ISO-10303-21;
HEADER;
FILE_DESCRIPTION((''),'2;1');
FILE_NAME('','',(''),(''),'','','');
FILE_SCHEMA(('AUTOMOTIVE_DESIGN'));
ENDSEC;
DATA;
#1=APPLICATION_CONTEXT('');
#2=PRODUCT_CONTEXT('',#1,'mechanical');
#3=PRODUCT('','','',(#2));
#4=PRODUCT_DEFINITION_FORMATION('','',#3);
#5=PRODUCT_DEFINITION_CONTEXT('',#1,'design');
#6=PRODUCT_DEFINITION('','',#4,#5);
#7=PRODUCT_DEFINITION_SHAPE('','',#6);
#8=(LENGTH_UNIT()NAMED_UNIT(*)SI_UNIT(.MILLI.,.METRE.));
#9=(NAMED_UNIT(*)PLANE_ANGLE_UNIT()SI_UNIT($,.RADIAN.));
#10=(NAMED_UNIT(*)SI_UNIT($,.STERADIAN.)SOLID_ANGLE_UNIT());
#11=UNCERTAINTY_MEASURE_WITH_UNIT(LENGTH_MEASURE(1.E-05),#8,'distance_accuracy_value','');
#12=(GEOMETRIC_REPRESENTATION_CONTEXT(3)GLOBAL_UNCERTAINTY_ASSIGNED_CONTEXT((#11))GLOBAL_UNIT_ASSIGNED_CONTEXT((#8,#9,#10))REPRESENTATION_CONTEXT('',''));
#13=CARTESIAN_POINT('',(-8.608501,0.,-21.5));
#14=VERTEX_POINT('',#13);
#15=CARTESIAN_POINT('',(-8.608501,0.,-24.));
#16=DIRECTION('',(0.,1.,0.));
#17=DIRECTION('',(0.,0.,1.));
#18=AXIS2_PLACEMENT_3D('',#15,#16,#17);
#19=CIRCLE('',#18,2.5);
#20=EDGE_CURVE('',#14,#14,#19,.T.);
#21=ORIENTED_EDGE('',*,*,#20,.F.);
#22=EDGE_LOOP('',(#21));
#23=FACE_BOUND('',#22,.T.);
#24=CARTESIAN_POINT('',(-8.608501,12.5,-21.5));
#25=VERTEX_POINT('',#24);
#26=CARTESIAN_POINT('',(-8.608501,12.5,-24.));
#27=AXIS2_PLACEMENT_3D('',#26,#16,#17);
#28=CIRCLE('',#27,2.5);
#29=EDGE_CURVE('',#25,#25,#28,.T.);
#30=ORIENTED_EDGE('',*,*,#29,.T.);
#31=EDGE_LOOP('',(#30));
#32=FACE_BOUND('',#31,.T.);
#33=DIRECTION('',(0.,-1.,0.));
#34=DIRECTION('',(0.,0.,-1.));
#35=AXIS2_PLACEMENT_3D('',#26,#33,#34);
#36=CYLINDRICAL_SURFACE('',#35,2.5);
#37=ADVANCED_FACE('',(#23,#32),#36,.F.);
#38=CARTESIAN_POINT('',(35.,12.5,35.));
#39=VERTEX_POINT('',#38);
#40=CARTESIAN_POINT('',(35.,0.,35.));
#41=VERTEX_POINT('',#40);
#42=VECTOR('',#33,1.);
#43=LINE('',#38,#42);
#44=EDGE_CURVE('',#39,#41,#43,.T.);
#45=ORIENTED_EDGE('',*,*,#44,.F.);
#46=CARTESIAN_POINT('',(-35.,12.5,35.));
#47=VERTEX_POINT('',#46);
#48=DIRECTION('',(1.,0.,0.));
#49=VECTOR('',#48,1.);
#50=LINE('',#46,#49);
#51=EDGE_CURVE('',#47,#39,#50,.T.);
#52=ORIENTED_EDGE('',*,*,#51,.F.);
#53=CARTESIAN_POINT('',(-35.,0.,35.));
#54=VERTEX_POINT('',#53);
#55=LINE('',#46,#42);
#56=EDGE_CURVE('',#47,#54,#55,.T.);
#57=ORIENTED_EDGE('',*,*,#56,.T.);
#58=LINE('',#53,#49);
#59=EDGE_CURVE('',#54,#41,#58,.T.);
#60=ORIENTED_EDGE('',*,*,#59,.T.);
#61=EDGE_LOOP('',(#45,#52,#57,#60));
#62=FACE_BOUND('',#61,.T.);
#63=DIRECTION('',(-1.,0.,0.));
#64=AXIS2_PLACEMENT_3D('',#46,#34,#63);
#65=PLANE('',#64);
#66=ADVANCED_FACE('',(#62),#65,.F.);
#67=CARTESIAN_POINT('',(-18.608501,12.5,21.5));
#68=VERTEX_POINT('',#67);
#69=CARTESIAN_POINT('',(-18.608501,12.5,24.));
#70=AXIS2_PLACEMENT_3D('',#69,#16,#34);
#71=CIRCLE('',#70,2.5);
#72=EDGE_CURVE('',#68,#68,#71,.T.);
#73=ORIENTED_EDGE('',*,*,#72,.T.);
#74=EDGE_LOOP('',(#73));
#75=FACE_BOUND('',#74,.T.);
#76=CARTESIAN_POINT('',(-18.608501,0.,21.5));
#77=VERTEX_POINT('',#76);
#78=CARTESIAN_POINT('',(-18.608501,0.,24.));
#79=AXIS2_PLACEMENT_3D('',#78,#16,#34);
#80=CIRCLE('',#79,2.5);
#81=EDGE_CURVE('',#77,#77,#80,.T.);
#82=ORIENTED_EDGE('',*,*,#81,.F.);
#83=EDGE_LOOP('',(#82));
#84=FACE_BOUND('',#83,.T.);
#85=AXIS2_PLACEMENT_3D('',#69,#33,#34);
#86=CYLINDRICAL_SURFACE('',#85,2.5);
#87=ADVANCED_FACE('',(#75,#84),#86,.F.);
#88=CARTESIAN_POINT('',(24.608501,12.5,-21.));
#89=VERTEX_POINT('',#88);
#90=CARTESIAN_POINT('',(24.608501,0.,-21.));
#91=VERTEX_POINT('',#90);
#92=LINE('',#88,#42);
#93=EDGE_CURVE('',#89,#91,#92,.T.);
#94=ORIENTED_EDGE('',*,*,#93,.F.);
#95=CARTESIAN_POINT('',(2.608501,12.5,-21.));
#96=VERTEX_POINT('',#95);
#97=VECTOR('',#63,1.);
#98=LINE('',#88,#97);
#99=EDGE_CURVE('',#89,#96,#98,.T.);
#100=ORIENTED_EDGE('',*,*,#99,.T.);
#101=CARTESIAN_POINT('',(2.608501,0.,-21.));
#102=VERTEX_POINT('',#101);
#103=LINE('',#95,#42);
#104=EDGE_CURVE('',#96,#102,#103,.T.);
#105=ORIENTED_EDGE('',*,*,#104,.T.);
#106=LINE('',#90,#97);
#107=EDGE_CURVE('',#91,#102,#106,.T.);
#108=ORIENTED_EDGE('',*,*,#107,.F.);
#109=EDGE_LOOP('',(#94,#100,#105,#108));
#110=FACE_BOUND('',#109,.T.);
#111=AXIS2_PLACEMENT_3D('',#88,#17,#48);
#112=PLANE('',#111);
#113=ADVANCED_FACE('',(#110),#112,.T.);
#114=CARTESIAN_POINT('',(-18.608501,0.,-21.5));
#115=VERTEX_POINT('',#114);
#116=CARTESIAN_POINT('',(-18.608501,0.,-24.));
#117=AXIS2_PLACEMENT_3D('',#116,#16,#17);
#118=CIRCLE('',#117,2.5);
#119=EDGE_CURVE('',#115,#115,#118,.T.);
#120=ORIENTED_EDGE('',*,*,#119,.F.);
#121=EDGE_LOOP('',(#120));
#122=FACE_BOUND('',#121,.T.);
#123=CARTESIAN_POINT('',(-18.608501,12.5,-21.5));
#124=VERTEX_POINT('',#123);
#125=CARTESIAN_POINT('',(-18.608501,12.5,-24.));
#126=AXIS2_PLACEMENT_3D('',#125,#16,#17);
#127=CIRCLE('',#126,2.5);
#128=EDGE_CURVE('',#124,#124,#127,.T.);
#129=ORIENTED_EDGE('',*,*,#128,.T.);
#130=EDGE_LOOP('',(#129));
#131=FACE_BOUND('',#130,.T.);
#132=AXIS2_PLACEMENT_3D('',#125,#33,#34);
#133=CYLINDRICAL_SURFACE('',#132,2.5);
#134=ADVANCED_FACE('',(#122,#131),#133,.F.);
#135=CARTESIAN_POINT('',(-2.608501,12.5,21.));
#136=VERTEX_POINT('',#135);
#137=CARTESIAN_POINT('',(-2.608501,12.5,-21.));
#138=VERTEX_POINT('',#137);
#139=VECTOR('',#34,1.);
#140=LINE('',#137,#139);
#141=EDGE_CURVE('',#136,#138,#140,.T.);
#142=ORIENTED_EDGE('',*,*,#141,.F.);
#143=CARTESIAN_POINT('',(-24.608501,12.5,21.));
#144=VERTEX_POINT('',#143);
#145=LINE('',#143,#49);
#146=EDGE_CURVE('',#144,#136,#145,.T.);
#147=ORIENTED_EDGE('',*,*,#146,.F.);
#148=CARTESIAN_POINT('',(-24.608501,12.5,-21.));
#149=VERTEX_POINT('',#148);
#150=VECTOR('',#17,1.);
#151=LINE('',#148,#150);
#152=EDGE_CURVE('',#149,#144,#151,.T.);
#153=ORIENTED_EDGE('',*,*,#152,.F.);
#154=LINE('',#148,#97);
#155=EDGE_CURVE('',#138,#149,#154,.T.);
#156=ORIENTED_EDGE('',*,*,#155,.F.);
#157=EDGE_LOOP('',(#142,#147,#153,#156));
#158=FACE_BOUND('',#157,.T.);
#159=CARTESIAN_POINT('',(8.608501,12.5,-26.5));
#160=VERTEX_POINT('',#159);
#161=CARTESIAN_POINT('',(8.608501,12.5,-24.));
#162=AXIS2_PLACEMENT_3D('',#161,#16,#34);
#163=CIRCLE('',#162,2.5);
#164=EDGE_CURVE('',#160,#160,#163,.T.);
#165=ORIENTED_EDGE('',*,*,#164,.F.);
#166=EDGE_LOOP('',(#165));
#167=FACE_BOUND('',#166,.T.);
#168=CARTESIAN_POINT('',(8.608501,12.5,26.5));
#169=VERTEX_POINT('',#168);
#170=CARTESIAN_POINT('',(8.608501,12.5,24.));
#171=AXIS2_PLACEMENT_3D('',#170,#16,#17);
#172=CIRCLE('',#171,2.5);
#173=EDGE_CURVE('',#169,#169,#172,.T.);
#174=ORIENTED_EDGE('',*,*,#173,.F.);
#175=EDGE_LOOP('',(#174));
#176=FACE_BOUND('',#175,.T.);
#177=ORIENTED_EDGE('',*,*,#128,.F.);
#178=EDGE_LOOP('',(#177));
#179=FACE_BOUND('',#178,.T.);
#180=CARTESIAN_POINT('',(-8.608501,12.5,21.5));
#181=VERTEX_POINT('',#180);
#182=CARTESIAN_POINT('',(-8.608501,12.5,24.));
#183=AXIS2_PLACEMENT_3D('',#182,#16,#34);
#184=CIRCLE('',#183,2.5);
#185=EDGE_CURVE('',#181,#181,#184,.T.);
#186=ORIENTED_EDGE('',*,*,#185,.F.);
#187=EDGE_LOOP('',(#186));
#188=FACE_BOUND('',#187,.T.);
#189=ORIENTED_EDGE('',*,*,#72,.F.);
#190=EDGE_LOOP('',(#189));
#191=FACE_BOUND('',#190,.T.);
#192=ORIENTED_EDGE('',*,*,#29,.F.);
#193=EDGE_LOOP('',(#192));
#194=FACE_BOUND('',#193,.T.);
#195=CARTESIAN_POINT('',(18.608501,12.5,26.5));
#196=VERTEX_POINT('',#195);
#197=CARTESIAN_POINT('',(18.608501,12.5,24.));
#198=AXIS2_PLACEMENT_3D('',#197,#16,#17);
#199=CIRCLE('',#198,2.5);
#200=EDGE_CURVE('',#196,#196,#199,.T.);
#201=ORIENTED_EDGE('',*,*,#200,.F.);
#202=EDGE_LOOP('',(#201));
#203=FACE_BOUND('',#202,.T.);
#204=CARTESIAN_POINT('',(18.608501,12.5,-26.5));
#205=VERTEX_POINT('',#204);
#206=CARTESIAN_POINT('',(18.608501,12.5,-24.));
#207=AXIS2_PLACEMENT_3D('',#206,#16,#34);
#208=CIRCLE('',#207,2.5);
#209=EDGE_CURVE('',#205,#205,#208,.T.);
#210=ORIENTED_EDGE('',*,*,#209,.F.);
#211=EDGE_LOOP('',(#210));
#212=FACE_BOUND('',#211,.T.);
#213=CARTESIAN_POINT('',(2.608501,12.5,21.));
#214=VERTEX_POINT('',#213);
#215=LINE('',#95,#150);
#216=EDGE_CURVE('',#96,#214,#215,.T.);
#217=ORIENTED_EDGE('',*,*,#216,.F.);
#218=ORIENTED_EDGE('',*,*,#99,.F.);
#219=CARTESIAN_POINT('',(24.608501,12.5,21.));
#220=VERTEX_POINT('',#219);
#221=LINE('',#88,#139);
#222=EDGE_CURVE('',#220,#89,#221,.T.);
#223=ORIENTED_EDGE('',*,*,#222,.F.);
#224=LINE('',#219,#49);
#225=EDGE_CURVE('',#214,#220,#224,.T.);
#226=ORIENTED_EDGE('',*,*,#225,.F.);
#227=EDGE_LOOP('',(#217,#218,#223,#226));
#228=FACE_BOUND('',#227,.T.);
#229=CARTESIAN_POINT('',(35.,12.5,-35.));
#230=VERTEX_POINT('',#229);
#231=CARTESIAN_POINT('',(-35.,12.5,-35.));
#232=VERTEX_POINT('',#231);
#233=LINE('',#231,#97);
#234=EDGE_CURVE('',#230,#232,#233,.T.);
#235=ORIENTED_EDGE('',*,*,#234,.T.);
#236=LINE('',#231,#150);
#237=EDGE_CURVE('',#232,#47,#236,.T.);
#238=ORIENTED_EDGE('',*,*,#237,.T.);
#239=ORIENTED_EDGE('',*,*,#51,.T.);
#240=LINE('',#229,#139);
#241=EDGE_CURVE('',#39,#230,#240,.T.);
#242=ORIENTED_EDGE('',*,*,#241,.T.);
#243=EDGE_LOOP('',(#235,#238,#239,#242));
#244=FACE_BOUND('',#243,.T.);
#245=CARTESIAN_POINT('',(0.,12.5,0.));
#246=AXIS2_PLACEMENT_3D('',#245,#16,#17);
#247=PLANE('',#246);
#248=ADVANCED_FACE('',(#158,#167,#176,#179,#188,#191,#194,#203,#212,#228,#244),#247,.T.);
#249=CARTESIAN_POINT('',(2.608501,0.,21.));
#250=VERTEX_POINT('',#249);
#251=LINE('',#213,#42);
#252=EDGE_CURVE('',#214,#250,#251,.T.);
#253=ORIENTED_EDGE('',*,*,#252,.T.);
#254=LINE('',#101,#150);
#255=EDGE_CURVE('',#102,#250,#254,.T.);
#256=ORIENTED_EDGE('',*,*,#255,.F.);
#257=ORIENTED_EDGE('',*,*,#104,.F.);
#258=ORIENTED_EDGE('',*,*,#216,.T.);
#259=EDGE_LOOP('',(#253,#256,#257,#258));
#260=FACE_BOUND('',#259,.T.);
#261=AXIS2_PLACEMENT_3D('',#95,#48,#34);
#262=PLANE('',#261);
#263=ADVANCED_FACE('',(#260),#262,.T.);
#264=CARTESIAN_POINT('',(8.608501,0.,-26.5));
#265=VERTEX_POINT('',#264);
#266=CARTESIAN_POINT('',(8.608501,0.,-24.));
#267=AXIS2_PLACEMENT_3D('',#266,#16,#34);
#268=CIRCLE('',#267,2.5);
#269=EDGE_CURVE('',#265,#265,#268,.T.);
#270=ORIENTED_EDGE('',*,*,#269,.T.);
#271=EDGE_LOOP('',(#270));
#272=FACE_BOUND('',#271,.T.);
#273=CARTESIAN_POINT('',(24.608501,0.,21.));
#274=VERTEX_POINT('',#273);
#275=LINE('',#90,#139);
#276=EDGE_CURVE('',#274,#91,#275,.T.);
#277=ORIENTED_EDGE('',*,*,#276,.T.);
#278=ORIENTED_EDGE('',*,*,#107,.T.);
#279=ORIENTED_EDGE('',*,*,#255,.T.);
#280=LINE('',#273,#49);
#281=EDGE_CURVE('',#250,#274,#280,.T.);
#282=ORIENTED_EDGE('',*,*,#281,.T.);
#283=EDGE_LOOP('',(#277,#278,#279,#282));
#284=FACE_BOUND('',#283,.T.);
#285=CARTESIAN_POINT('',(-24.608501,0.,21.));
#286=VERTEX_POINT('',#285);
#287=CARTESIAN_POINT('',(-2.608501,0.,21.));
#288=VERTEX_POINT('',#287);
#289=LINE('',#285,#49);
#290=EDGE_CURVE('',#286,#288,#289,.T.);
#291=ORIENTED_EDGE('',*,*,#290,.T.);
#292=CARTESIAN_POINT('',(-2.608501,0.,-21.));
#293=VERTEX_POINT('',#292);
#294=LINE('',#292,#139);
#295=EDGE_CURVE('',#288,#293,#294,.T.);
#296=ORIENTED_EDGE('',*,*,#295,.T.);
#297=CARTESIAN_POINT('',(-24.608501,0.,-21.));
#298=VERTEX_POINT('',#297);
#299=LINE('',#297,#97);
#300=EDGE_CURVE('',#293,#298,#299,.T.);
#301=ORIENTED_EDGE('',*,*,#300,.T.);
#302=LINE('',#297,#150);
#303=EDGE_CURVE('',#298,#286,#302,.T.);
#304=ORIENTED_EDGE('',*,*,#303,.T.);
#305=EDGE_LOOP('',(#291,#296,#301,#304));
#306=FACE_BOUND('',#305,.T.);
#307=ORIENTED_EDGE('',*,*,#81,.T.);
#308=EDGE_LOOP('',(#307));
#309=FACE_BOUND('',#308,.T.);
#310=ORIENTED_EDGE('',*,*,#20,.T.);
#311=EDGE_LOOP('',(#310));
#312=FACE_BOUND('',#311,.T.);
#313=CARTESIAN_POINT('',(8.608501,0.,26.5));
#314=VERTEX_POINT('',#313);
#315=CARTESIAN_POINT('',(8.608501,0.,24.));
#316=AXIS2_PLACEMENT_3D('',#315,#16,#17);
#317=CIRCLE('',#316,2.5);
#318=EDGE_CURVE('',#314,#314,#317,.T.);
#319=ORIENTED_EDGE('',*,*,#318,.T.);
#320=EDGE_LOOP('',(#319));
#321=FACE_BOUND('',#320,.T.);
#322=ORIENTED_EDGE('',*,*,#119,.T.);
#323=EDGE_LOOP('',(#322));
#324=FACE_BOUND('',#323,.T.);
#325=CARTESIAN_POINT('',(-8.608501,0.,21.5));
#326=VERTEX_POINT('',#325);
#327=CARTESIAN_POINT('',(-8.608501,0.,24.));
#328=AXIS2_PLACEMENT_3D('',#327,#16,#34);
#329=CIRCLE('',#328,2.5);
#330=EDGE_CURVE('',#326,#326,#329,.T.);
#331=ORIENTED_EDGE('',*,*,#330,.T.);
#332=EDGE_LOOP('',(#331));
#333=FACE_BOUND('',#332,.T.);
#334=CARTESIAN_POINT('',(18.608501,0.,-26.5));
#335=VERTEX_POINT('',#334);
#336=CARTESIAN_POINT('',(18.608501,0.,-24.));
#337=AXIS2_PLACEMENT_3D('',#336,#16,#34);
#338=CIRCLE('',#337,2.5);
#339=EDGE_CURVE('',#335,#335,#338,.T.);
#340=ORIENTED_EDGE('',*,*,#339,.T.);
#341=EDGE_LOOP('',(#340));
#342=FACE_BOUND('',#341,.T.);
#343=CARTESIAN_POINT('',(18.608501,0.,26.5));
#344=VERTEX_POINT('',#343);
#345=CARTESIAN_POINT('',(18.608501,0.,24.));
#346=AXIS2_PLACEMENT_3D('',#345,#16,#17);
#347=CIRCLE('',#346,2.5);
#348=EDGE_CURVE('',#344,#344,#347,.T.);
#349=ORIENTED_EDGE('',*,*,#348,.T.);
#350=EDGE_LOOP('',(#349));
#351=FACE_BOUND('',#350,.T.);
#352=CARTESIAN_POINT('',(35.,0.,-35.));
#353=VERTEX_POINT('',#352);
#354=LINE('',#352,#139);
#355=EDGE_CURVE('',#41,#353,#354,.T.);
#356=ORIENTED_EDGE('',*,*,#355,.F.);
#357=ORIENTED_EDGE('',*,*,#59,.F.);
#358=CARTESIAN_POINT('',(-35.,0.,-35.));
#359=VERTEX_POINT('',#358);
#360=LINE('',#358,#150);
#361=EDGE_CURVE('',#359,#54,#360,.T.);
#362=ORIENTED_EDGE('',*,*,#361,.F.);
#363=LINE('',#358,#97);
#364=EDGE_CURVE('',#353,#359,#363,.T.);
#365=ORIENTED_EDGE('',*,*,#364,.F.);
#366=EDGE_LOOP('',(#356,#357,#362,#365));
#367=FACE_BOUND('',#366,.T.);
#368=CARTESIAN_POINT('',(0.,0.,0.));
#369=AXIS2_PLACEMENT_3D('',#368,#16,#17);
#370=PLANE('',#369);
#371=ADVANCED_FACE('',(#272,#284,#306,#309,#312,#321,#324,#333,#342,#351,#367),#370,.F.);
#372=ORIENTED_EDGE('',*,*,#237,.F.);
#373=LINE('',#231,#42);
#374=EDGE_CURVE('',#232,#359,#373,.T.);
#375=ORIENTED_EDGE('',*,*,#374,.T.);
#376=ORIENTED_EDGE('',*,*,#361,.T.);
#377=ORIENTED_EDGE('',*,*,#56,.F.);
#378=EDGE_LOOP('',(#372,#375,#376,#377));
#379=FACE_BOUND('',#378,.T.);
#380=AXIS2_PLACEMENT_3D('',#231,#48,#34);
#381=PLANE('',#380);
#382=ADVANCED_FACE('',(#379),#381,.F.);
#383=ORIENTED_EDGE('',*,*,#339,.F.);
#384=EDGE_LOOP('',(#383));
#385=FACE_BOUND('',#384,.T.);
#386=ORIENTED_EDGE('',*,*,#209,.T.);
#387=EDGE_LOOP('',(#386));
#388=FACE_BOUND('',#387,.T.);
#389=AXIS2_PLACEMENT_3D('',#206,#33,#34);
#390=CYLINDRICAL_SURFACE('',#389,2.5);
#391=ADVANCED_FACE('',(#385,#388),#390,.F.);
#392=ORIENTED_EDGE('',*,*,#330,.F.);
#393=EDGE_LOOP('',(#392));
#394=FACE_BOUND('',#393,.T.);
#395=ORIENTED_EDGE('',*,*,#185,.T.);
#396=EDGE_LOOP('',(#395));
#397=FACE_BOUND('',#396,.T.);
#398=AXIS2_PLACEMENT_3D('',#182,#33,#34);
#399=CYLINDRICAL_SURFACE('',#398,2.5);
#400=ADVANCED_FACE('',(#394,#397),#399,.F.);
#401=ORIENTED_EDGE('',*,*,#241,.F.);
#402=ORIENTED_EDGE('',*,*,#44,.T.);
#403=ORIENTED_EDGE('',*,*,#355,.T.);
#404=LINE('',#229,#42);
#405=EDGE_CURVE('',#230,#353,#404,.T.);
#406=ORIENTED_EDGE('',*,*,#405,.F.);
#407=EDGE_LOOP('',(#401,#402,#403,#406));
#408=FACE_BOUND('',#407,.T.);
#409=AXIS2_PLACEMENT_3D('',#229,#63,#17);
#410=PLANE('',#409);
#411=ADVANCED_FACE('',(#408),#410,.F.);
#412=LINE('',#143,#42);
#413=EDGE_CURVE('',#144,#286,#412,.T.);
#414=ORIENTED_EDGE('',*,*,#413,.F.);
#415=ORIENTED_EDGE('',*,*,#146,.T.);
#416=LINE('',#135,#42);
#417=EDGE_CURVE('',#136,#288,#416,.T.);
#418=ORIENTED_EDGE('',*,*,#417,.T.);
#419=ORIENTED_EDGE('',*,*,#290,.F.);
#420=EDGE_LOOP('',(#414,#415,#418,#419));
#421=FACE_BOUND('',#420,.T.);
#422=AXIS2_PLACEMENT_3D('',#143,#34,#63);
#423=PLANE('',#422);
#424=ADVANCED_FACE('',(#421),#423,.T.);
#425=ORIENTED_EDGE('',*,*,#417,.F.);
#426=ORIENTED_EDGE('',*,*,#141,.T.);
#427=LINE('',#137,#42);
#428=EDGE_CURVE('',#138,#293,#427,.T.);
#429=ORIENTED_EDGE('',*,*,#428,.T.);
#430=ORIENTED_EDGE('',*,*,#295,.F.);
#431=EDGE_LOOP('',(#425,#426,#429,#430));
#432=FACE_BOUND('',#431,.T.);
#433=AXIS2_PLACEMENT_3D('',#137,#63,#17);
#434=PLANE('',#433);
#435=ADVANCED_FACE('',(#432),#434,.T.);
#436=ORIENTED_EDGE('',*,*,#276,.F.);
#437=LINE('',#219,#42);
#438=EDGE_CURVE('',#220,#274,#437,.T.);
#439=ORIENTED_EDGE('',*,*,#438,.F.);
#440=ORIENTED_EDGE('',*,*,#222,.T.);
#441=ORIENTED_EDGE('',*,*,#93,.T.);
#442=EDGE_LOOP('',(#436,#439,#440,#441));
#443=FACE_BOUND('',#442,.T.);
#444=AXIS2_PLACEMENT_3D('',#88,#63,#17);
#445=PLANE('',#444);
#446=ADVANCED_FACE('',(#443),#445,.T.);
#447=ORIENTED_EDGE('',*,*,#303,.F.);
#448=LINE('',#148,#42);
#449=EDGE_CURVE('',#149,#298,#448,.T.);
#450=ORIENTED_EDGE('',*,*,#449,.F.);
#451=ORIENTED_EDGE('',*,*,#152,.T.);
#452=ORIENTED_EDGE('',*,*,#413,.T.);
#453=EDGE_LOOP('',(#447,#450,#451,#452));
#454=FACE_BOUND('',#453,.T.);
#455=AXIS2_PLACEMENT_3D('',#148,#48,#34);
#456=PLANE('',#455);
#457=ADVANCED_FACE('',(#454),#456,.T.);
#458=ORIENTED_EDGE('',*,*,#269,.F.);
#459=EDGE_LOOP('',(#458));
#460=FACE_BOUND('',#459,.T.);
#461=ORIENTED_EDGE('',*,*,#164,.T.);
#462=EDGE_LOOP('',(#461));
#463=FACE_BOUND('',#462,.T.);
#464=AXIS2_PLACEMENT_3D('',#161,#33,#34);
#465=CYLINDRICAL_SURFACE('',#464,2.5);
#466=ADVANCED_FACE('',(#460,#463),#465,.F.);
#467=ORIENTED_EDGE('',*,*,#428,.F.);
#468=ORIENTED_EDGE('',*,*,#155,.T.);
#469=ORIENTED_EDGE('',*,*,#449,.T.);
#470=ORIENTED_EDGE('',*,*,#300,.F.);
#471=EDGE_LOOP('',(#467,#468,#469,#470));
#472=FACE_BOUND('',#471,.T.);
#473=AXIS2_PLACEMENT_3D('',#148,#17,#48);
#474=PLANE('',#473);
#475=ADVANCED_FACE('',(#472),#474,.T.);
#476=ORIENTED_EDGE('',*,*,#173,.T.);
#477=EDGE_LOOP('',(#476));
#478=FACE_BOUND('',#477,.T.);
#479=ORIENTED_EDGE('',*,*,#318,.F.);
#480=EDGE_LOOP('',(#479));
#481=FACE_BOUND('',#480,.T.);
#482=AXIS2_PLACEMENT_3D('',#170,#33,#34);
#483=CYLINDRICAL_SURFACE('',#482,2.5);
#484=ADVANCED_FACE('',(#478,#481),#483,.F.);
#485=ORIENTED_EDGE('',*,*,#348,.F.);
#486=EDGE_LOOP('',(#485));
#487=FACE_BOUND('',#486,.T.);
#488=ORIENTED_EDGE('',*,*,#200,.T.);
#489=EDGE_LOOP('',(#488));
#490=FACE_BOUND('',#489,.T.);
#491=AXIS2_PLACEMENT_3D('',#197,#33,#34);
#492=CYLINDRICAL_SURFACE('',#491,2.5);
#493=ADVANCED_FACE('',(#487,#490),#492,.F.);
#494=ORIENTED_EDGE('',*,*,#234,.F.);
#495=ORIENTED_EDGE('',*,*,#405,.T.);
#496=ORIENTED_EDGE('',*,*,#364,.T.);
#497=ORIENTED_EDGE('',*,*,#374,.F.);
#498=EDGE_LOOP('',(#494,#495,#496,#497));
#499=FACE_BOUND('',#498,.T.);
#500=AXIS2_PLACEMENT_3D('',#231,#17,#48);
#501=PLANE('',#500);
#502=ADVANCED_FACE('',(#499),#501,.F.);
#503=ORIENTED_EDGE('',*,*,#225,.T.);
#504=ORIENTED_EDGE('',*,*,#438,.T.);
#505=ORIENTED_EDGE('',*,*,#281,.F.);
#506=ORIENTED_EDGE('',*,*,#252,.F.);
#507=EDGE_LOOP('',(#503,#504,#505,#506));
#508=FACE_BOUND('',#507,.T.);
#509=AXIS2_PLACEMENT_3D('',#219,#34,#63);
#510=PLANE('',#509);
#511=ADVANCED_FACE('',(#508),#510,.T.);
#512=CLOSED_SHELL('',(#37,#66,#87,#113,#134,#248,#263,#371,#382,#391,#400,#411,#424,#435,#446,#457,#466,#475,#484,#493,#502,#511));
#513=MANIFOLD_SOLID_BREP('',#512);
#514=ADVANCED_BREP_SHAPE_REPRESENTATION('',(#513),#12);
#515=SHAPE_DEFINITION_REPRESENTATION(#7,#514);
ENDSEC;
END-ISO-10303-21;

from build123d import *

# Parameters (mm, degrees)
SKETCH1_W           = 70
SKETCH1_H           = 70
SKETCH1_R           = 2.5
SKETCH1_W_2         = 22
SKETCH1_H_2         = 42
BOSS_EXTRUDE1_DEPTH = 12.5


with BuildPart() as part:
    # Sketch1 → Boss-Extrude1 (new body)
    with BuildSketch(Plane(origin=(0, 0, 0), x_dir=(1, 0, 0), z_dir=(0, 1, 0))):
        Rectangle(SKETCH1_W, SKETCH1_H)
        with Locations(Location((-18.608500965, 24, 0), (0, 0, 270))):
            Circle(SKETCH1_R, mode=Mode.SUBTRACT)
        with Locations(Location((-8.608500965, 24, 0), (0, 0, 270))):
            Circle(SKETCH1_R, mode=Mode.SUBTRACT)
        with Locations(Location((-8.608500965, -24, 0), (0, 0, 90))):
            Circle(SKETCH1_R, mode=Mode.SUBTRACT)
        with Locations(Location((-18.608500965, -24, 0), (0, 0, 90))):
            Circle(SKETCH1_R, mode=Mode.SUBTRACT)
        with Locations(Location((8.608500965, -24, 0), (0, 0, 270))):
            Circle(SKETCH1_R, mode=Mode.SUBTRACT)
        with Locations(Location((18.608500965, -24, 0), (0, 0, 270))):
            Circle(SKETCH1_R, mode=Mode.SUBTRACT)
        with Locations(Location((8.608500965, 24, 0), (0, 0, 90))):
            Circle(SKETCH1_R, mode=Mode.SUBTRACT)
        with Locations(Location((18.608500965, 24, 0), (0, 0, 90))):
            Circle(SKETCH1_R, mode=Mode.SUBTRACT)
        with Locations((-13.608500965, 0)):
            Rectangle(SKETCH1_W_2, SKETCH1_H_2, mode=Mode.SUBTRACT)
        with Locations((13.608500965, 0)):
            Rectangle(SKETCH1_W_2, SKETCH1_H_2, mode=Mode.SUBTRACT)
    extrude(amount=BOSS_EXTRUDE1_DEPTH)


solid = part.part
